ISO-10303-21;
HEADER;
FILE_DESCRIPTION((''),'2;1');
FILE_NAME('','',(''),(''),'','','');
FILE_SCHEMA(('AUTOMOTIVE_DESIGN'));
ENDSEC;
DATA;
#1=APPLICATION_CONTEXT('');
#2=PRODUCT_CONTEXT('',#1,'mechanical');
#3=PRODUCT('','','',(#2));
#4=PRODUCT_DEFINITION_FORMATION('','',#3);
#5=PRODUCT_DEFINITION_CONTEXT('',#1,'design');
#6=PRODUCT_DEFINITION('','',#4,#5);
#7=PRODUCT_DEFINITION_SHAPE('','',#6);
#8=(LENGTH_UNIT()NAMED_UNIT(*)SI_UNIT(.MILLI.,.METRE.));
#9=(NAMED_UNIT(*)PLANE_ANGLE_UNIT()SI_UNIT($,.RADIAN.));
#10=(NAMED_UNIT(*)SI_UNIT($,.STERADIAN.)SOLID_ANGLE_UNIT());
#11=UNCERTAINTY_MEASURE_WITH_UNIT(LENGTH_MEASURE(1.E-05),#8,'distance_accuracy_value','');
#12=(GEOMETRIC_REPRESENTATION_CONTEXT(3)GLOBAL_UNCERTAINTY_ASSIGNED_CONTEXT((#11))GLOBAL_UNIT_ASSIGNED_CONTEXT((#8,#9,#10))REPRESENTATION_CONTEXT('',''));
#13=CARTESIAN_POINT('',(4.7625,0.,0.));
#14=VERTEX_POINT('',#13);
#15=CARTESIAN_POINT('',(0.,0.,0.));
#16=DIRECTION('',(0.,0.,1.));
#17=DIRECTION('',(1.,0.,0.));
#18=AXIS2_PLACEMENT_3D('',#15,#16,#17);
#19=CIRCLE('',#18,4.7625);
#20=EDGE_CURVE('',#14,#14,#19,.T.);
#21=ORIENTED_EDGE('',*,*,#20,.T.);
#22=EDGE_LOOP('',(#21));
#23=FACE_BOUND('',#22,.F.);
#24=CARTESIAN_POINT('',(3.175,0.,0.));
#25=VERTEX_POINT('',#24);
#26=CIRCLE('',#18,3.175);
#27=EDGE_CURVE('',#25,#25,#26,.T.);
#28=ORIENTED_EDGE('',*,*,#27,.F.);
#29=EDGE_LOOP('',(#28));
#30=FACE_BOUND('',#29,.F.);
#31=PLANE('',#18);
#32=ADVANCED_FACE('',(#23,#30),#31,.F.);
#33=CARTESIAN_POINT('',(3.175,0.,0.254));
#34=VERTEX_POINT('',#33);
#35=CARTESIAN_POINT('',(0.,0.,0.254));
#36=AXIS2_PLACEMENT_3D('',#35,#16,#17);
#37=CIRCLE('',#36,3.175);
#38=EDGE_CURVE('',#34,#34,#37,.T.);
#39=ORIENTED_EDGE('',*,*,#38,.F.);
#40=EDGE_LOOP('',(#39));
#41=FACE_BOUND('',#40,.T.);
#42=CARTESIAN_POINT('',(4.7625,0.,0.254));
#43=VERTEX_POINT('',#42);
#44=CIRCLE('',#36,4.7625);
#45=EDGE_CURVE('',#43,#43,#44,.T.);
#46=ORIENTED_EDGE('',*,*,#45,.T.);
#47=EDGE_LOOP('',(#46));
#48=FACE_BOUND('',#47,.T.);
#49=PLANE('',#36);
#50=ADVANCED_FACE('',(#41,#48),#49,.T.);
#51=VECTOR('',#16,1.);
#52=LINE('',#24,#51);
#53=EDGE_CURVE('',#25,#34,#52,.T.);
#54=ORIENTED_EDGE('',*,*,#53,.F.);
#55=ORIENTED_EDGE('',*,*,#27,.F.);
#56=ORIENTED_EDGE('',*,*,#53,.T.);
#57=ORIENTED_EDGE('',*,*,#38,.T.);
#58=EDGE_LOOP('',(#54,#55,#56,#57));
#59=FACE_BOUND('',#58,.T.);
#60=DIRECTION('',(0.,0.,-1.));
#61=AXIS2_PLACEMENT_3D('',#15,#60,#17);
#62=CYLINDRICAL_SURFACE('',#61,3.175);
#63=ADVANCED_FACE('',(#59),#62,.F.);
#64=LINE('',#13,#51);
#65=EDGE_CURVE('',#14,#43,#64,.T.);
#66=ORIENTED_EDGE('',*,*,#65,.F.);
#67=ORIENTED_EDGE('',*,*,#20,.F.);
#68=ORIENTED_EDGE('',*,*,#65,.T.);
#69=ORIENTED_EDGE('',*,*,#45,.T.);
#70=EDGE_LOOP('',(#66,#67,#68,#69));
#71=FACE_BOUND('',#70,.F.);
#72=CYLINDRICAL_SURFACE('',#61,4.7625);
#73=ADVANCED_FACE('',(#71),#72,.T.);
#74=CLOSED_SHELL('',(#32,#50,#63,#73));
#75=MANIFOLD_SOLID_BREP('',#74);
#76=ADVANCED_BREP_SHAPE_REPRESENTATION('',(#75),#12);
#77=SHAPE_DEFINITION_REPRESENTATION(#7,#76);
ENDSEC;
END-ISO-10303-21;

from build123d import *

# Parameters (mm, degrees)
SKETCH1_R      = 4.7625
SKETCH1_R_2    = 3.175
EXTRUDE1_DEPTH = 0.254


with BuildPart() as part:
    # Sketch1 → Extrude1 (new body)
    with BuildSketch(Plane.XY):
        Circle(SKETCH1_R)
        Circle(SKETCH1_R_2, mode=Mode.SUBTRACT)
    extrude(amount=EXTRUDE1_DEPTH)


solid = part.part
